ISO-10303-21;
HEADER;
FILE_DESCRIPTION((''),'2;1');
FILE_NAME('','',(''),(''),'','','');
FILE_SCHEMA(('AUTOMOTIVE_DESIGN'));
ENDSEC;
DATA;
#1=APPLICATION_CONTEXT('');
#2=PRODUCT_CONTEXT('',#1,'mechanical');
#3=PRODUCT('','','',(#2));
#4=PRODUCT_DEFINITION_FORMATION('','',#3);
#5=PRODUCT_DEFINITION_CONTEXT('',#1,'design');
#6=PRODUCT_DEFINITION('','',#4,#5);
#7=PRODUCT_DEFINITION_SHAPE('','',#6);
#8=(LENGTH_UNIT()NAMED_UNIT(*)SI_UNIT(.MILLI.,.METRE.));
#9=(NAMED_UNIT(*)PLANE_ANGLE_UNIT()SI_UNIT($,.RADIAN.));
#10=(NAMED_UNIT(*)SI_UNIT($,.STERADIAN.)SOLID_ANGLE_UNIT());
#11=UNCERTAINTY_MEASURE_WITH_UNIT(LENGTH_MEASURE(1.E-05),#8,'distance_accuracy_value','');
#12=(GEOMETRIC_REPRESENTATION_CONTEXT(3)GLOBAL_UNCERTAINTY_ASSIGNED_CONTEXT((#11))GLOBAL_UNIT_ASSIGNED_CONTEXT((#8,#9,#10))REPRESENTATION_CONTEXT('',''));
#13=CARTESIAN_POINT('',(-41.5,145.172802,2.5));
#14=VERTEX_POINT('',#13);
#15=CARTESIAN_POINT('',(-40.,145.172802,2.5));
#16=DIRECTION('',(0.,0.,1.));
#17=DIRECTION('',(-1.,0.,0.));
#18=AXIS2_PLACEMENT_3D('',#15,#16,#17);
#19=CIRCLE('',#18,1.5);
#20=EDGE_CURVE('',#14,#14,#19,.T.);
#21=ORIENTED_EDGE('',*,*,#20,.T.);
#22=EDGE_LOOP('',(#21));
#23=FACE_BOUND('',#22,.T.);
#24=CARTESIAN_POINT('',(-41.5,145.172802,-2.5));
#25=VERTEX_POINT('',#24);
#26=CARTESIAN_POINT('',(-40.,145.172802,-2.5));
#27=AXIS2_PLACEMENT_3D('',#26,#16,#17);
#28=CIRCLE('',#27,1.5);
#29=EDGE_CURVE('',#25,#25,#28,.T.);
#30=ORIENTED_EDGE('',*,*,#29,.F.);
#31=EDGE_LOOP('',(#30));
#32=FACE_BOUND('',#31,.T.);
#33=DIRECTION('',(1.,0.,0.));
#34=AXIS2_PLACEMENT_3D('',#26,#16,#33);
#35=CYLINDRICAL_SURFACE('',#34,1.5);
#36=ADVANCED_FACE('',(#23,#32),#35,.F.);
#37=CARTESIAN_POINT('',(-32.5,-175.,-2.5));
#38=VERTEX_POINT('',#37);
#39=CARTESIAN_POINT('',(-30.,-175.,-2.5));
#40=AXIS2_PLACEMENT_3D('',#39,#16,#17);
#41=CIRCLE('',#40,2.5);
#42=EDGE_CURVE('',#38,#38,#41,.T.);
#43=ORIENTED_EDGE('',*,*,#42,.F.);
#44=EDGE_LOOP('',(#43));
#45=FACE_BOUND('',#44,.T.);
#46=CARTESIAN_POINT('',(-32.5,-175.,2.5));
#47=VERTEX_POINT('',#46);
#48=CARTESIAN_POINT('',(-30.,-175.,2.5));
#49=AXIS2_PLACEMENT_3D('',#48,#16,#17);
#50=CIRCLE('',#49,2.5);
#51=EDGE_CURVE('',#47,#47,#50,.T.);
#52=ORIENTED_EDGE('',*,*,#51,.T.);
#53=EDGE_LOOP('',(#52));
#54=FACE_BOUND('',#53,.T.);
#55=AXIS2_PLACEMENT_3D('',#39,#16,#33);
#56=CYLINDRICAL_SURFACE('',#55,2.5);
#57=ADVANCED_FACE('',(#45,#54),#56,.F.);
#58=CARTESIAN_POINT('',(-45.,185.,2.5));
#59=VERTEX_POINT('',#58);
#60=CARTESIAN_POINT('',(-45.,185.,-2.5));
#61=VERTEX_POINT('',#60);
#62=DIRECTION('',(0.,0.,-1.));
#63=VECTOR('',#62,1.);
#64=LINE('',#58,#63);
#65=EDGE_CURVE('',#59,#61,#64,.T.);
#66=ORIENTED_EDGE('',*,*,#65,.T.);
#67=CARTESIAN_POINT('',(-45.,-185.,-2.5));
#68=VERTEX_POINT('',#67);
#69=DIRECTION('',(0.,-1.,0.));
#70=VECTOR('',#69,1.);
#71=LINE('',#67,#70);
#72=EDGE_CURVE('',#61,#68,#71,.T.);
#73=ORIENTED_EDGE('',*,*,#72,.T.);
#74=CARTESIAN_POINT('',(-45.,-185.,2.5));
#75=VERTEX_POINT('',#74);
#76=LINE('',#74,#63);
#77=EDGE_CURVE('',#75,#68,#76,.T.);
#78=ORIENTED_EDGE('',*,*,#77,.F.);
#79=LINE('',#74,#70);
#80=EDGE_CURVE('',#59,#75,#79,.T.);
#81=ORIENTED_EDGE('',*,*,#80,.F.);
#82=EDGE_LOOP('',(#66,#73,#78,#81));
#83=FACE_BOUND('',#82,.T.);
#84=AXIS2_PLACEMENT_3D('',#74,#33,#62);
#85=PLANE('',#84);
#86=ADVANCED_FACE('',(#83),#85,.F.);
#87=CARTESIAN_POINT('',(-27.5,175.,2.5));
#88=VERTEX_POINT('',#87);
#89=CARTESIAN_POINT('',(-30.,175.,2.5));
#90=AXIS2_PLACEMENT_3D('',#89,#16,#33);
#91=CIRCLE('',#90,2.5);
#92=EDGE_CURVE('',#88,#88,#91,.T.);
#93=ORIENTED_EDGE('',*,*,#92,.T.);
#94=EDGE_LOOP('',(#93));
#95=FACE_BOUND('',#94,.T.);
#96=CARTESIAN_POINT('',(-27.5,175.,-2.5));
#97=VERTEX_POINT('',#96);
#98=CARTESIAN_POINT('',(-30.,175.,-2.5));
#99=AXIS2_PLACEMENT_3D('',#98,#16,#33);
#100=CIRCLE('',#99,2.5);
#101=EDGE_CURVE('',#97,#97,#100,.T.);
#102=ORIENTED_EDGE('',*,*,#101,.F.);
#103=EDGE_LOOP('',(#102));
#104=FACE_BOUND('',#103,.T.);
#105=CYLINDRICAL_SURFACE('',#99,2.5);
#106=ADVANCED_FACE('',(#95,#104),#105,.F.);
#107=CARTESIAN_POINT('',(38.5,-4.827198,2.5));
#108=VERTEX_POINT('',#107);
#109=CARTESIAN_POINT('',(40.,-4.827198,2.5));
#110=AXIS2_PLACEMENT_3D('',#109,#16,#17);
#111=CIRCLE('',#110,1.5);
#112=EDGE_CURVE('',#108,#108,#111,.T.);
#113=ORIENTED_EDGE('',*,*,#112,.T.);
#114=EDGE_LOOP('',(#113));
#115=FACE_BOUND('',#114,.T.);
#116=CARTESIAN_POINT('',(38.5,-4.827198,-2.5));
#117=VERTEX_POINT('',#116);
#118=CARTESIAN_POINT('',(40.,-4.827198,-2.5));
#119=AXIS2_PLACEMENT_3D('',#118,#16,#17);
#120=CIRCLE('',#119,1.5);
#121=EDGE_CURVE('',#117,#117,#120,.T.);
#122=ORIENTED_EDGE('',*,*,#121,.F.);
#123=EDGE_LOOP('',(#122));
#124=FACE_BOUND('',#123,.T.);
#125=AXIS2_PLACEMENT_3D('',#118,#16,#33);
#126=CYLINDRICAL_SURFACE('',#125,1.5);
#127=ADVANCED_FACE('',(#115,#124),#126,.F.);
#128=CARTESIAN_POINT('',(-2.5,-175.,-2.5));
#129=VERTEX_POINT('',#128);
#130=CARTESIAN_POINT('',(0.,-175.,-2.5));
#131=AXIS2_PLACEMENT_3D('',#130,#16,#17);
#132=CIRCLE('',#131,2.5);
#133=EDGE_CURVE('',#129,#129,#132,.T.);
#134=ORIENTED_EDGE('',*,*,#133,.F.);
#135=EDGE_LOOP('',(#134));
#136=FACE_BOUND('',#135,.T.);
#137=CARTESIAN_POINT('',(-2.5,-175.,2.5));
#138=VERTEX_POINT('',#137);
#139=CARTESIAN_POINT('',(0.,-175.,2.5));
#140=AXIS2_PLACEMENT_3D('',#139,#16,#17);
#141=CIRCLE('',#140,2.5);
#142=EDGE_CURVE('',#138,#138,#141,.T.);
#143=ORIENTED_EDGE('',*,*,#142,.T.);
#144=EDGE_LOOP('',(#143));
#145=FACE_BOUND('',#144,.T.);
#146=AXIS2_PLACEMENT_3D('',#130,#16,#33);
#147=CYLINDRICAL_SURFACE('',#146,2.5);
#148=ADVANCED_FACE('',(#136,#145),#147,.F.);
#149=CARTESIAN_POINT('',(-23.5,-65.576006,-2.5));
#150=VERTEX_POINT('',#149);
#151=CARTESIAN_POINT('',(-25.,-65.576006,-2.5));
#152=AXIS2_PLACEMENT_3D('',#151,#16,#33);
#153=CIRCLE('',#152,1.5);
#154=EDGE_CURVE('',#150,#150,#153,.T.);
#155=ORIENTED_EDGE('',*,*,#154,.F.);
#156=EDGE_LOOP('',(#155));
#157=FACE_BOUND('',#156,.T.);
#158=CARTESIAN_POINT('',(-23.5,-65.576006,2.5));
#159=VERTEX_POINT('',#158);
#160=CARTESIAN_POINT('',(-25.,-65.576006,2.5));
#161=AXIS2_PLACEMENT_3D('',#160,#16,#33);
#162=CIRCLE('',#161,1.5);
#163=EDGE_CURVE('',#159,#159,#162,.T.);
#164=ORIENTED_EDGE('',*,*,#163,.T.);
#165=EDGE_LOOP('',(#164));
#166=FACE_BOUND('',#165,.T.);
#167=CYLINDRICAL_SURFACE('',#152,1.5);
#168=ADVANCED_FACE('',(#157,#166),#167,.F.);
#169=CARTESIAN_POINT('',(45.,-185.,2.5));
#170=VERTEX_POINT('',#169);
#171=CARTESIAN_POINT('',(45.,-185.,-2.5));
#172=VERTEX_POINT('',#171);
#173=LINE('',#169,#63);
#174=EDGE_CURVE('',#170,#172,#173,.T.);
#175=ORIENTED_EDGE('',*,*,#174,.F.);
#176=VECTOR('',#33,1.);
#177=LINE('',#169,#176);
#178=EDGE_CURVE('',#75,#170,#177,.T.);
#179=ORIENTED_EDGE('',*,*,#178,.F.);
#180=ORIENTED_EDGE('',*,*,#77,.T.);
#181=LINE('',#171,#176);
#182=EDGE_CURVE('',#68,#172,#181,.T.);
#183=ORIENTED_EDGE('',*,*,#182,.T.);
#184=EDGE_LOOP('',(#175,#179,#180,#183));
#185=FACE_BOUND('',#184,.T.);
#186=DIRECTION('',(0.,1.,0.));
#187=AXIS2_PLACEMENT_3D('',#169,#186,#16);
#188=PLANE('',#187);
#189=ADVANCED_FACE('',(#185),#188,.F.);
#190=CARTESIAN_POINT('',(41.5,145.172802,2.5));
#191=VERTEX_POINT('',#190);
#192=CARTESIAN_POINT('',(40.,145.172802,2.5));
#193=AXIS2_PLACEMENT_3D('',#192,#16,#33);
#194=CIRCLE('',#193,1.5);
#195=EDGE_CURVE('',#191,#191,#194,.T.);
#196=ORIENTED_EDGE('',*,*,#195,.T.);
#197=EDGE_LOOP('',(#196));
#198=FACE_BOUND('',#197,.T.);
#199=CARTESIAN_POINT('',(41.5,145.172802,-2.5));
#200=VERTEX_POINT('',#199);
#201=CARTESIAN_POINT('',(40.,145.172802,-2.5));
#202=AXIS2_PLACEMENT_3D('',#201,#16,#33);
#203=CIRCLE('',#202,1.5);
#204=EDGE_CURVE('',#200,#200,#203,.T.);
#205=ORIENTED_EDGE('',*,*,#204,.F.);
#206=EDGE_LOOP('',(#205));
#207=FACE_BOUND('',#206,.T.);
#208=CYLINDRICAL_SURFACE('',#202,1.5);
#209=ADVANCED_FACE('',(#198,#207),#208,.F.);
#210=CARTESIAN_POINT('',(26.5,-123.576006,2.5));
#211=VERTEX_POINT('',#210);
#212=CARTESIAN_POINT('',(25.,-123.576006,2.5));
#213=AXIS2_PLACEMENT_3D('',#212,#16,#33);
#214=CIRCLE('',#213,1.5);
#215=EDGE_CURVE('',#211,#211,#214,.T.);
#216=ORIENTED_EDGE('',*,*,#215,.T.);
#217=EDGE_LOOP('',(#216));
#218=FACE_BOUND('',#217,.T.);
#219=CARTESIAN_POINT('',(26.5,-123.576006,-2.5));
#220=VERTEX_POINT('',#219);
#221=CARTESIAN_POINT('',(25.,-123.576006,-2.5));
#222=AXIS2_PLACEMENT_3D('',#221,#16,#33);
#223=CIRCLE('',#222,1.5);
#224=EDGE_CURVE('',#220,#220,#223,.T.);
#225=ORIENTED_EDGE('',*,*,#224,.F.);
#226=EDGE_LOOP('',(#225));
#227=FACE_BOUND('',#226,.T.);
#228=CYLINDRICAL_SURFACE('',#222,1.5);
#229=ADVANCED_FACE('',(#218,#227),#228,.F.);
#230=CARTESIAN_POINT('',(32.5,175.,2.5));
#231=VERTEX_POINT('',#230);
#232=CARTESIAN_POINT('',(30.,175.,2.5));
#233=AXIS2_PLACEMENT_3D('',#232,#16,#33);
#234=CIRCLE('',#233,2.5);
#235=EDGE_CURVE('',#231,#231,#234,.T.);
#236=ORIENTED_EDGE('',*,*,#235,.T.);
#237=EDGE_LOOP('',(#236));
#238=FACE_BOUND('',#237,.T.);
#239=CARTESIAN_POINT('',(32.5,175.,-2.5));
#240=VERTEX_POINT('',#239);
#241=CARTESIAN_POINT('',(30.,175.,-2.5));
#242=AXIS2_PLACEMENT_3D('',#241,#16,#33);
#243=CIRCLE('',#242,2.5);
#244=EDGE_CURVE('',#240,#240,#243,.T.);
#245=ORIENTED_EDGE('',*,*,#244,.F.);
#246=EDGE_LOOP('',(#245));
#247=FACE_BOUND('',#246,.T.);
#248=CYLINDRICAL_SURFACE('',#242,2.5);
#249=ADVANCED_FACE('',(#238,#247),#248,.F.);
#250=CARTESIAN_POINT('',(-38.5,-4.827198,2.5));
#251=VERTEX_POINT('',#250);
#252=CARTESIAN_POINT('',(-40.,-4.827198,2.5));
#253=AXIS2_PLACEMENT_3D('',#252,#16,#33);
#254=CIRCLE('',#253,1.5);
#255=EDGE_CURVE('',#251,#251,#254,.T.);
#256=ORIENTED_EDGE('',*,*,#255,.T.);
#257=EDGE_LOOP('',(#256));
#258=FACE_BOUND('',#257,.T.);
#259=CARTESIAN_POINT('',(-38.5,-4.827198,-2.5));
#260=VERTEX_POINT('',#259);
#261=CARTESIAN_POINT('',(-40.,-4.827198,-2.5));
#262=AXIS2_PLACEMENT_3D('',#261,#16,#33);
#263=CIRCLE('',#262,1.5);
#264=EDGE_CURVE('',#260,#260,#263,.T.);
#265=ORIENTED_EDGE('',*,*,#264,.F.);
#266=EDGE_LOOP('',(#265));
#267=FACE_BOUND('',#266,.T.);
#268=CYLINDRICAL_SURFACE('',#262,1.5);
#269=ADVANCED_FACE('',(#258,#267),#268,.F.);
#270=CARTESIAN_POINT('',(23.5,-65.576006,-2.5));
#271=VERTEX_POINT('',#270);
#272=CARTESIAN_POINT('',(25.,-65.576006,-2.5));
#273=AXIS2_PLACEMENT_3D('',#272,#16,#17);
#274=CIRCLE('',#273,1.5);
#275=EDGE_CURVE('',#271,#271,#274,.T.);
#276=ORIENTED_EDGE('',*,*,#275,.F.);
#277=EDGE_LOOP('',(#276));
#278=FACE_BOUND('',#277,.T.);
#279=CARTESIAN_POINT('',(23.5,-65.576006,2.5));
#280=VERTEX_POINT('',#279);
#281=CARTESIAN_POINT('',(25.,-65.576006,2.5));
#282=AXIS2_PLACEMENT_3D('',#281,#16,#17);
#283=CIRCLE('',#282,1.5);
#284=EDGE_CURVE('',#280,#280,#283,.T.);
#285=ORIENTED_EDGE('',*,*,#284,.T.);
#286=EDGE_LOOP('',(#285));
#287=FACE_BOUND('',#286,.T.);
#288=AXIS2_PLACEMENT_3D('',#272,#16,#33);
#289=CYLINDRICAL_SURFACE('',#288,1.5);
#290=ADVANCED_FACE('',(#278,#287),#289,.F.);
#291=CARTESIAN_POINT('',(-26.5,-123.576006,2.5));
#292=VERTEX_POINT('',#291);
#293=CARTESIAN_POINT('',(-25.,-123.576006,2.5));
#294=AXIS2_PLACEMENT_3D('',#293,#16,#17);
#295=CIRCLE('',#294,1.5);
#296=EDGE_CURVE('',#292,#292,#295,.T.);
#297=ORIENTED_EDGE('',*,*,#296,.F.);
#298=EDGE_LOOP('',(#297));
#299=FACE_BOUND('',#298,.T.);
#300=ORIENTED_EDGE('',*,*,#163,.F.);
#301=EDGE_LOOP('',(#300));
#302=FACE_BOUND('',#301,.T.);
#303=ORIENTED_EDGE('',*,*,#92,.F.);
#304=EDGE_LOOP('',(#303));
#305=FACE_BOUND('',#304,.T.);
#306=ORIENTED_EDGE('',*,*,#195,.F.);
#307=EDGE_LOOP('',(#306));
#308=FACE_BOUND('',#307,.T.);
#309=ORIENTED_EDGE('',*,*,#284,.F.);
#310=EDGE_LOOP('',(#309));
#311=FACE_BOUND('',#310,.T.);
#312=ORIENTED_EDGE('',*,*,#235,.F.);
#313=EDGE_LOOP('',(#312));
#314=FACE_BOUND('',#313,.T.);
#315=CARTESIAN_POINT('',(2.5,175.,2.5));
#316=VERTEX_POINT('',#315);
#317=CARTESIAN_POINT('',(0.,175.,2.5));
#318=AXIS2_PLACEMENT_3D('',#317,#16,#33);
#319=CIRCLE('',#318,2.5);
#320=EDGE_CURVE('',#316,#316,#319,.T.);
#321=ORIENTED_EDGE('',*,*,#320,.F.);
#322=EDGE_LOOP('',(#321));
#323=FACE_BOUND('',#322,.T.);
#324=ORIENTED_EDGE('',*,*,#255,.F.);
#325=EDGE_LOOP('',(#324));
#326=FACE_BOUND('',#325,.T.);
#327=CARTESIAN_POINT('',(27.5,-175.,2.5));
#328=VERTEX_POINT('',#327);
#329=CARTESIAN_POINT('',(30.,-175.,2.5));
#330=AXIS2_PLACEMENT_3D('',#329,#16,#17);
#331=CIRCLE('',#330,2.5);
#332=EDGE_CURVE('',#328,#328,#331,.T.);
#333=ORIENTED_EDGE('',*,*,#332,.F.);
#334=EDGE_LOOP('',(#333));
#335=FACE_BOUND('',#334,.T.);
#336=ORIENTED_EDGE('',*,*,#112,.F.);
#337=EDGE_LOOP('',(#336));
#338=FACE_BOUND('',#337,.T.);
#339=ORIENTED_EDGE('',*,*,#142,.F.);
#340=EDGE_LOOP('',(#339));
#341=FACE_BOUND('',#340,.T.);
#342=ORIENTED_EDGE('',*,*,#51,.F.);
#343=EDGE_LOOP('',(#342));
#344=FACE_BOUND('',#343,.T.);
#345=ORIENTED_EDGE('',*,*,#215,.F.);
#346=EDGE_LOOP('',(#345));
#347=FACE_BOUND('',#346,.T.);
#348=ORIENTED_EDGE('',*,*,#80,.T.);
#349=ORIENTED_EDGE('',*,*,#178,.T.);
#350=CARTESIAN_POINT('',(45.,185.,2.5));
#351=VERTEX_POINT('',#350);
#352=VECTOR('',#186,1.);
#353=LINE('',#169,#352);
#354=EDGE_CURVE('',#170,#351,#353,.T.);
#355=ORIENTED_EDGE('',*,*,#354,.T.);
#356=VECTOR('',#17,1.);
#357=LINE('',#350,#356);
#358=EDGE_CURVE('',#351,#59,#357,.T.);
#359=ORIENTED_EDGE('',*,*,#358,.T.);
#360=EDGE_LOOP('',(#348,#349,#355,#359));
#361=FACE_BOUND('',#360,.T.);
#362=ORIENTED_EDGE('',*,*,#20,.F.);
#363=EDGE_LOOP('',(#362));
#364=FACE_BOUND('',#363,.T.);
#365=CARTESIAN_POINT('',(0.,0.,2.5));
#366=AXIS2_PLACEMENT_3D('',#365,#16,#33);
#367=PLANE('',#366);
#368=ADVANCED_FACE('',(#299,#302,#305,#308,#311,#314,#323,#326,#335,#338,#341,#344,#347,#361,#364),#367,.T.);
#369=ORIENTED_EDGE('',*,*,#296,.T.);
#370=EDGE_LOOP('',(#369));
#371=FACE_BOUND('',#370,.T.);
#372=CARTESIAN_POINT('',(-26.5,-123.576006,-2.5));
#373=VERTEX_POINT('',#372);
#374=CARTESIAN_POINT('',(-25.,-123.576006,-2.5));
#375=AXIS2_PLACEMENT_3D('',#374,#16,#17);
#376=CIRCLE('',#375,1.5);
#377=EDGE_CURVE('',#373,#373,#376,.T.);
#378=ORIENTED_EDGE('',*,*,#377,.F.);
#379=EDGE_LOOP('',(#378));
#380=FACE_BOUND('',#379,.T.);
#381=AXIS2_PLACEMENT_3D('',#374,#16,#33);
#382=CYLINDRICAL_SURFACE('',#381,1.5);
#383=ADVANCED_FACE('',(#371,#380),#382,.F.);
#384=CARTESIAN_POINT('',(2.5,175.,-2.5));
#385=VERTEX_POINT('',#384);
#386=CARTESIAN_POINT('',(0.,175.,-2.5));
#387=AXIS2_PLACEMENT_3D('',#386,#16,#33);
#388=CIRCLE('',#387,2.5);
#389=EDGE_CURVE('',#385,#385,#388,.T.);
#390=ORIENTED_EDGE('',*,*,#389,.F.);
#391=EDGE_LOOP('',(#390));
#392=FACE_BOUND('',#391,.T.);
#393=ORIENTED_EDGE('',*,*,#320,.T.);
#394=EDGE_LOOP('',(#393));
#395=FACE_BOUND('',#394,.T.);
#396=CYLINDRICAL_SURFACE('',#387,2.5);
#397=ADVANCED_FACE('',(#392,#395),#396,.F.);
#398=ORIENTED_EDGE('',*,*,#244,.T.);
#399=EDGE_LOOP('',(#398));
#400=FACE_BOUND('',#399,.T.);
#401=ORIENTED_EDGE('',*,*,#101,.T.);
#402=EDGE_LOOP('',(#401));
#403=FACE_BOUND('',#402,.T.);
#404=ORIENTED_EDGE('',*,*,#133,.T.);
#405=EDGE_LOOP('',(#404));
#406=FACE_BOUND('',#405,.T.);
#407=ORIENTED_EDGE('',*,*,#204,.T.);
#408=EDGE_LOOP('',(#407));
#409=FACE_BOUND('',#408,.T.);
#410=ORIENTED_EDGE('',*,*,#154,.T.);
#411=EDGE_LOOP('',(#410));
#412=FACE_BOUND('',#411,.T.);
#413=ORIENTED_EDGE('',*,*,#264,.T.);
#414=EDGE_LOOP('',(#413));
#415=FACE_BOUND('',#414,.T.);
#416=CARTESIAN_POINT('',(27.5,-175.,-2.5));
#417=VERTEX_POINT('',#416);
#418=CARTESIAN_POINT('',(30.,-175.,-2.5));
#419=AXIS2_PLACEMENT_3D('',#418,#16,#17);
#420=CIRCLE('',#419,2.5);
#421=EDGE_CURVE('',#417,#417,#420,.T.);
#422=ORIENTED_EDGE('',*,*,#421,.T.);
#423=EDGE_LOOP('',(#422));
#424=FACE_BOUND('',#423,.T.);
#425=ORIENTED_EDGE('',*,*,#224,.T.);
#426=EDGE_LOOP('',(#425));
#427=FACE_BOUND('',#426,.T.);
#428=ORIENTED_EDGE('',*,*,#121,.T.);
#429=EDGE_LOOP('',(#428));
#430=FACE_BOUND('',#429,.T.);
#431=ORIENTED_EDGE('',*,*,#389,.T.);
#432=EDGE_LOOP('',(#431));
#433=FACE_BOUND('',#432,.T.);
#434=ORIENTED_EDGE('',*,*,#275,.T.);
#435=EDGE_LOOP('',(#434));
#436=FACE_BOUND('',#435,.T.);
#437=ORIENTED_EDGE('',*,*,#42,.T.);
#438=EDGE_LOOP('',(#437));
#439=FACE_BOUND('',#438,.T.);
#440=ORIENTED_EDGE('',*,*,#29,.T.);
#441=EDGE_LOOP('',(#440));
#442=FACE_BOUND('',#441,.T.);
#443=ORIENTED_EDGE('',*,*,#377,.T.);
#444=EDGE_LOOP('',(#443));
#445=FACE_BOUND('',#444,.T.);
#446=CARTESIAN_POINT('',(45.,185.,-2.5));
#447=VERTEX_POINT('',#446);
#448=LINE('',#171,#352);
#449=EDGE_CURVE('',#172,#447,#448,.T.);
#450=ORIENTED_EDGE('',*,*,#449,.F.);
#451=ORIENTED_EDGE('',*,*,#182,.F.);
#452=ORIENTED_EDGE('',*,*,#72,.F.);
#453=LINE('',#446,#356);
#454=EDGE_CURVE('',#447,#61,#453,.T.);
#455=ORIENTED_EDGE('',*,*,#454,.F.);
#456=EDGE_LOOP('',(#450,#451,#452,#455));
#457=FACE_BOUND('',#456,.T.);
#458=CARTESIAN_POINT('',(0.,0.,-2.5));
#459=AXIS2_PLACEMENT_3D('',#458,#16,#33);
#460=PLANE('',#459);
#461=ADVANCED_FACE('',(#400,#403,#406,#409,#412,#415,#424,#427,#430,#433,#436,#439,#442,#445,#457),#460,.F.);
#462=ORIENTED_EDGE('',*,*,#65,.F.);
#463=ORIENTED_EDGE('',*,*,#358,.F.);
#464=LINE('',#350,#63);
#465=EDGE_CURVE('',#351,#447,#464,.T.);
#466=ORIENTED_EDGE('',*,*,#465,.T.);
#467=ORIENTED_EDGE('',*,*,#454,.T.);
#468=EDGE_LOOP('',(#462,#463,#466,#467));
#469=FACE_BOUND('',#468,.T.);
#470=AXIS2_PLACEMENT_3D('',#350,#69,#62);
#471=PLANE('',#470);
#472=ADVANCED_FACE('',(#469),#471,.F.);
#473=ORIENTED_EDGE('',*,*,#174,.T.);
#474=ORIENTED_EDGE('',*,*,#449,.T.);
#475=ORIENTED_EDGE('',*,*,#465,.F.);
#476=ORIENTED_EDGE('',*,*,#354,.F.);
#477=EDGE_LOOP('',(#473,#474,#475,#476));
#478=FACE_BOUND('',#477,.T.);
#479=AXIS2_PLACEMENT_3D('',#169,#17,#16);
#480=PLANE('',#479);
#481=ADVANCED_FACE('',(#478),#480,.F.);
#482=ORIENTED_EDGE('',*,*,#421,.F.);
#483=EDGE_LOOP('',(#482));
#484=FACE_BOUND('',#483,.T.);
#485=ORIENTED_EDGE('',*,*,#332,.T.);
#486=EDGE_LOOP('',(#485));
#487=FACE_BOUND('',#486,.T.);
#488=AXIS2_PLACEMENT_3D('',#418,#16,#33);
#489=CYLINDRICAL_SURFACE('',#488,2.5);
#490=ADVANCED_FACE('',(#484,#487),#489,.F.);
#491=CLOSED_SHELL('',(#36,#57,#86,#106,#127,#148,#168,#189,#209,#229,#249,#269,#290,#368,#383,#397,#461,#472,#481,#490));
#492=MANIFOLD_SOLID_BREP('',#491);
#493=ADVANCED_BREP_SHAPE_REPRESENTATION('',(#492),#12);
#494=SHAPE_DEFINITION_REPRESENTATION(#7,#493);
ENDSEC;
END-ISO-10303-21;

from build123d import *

# Parameters (mm, degrees)
SKETCH_2_W          = 90
SKETCH_2_H          = 370
EXTRUDE_1_DEPTH     = 2.5
SKETCH_3_R          = 2.5
CUT_EXTRUDE_1_DEPTH = 191.459969547
SKETCH_5_R          = 1.5
CUT_EXTRUDE_3_DEPTH = 191.459969547
SKETCH_6_R          = 1.5
CUT_EXTRUDE_4_DEPTH = 191.459969547


with BuildPart() as part:
    # 草图2 → 凸台-拉伸1 (new, symmetric)
    with BuildSketch(Plane.XY):
        Rectangle(SKETCH_2_W, SKETCH_2_H)
    extrude(amount=EXTRUDE_1_DEPTH, both=True)

    # 草图3 → 切除-拉伸1 (cut, through all)
    with BuildSketch(Plane.XY.offset(2.5)):
        with Locations((0, 175)):
            Circle(SKETCH_3_R)
        with Locations((30, 175)):
            Circle(SKETCH_3_R)
        with Locations((-30, 175)):
            Circle(SKETCH_3_R)
        with Locations(Location((-30, -175, 0), (0, 0, 180))):
            Circle(SKETCH_3_R)
        with Locations(Location((30, -175, 0), (0, 0, 180))):
            Circle(SKETCH_3_R)
        with Locations(Location((0, -175, 0), (0, 0, 180))):
            Circle(SKETCH_3_R)
    extrude(amount=-CUT_EXTRUDE_1_DEPTH, mode=Mode.SUBTRACT)

    # 草图5 → 切除-拉伸3 (cut, through all)
    with BuildSketch(Plane.XY.offset(2.5)):
        with Locations((40, 145.172802193)):
            Circle(SKETCH_5_R)
        with Locations(Location((-40, 145.172802193, 0), (0, 0, 180))):
            Circle(SKETCH_5_R)
        with Locations((-40, -4.827197807)):
            Circle(SKETCH_5_R)
        with Locations(Location((40, -4.827197807, 0), (0, 0, 180))):
            Circle(SKETCH_5_R)
    extrude(amount=-CUT_EXTRUDE_3_DEPTH, mode=Mode.SUBTRACT)

    # 草图6 → 切除-拉伸4 (cut, through all)
    with BuildSketch(Plane.XY.offset(2.5)):
        with Locations((25, -123.576005542)):
            Circle(SKETCH_6_R)
        with Locations(Location((-25, -123.576005542, 0), (0, 0, 180))):
            Circle(SKETCH_6_R)
        with Locations(Location((25, -65.576005542, 0), (0, 0, 180))):
            Circle(SKETCH_6_R)
        with Locations((-25, -65.576005542)):
            Circle(SKETCH_6_R)
    extrude(amount=-CUT_EXTRUDE_4_DEPTH, mode=Mode.SUBTRACT)


solid = part.part
